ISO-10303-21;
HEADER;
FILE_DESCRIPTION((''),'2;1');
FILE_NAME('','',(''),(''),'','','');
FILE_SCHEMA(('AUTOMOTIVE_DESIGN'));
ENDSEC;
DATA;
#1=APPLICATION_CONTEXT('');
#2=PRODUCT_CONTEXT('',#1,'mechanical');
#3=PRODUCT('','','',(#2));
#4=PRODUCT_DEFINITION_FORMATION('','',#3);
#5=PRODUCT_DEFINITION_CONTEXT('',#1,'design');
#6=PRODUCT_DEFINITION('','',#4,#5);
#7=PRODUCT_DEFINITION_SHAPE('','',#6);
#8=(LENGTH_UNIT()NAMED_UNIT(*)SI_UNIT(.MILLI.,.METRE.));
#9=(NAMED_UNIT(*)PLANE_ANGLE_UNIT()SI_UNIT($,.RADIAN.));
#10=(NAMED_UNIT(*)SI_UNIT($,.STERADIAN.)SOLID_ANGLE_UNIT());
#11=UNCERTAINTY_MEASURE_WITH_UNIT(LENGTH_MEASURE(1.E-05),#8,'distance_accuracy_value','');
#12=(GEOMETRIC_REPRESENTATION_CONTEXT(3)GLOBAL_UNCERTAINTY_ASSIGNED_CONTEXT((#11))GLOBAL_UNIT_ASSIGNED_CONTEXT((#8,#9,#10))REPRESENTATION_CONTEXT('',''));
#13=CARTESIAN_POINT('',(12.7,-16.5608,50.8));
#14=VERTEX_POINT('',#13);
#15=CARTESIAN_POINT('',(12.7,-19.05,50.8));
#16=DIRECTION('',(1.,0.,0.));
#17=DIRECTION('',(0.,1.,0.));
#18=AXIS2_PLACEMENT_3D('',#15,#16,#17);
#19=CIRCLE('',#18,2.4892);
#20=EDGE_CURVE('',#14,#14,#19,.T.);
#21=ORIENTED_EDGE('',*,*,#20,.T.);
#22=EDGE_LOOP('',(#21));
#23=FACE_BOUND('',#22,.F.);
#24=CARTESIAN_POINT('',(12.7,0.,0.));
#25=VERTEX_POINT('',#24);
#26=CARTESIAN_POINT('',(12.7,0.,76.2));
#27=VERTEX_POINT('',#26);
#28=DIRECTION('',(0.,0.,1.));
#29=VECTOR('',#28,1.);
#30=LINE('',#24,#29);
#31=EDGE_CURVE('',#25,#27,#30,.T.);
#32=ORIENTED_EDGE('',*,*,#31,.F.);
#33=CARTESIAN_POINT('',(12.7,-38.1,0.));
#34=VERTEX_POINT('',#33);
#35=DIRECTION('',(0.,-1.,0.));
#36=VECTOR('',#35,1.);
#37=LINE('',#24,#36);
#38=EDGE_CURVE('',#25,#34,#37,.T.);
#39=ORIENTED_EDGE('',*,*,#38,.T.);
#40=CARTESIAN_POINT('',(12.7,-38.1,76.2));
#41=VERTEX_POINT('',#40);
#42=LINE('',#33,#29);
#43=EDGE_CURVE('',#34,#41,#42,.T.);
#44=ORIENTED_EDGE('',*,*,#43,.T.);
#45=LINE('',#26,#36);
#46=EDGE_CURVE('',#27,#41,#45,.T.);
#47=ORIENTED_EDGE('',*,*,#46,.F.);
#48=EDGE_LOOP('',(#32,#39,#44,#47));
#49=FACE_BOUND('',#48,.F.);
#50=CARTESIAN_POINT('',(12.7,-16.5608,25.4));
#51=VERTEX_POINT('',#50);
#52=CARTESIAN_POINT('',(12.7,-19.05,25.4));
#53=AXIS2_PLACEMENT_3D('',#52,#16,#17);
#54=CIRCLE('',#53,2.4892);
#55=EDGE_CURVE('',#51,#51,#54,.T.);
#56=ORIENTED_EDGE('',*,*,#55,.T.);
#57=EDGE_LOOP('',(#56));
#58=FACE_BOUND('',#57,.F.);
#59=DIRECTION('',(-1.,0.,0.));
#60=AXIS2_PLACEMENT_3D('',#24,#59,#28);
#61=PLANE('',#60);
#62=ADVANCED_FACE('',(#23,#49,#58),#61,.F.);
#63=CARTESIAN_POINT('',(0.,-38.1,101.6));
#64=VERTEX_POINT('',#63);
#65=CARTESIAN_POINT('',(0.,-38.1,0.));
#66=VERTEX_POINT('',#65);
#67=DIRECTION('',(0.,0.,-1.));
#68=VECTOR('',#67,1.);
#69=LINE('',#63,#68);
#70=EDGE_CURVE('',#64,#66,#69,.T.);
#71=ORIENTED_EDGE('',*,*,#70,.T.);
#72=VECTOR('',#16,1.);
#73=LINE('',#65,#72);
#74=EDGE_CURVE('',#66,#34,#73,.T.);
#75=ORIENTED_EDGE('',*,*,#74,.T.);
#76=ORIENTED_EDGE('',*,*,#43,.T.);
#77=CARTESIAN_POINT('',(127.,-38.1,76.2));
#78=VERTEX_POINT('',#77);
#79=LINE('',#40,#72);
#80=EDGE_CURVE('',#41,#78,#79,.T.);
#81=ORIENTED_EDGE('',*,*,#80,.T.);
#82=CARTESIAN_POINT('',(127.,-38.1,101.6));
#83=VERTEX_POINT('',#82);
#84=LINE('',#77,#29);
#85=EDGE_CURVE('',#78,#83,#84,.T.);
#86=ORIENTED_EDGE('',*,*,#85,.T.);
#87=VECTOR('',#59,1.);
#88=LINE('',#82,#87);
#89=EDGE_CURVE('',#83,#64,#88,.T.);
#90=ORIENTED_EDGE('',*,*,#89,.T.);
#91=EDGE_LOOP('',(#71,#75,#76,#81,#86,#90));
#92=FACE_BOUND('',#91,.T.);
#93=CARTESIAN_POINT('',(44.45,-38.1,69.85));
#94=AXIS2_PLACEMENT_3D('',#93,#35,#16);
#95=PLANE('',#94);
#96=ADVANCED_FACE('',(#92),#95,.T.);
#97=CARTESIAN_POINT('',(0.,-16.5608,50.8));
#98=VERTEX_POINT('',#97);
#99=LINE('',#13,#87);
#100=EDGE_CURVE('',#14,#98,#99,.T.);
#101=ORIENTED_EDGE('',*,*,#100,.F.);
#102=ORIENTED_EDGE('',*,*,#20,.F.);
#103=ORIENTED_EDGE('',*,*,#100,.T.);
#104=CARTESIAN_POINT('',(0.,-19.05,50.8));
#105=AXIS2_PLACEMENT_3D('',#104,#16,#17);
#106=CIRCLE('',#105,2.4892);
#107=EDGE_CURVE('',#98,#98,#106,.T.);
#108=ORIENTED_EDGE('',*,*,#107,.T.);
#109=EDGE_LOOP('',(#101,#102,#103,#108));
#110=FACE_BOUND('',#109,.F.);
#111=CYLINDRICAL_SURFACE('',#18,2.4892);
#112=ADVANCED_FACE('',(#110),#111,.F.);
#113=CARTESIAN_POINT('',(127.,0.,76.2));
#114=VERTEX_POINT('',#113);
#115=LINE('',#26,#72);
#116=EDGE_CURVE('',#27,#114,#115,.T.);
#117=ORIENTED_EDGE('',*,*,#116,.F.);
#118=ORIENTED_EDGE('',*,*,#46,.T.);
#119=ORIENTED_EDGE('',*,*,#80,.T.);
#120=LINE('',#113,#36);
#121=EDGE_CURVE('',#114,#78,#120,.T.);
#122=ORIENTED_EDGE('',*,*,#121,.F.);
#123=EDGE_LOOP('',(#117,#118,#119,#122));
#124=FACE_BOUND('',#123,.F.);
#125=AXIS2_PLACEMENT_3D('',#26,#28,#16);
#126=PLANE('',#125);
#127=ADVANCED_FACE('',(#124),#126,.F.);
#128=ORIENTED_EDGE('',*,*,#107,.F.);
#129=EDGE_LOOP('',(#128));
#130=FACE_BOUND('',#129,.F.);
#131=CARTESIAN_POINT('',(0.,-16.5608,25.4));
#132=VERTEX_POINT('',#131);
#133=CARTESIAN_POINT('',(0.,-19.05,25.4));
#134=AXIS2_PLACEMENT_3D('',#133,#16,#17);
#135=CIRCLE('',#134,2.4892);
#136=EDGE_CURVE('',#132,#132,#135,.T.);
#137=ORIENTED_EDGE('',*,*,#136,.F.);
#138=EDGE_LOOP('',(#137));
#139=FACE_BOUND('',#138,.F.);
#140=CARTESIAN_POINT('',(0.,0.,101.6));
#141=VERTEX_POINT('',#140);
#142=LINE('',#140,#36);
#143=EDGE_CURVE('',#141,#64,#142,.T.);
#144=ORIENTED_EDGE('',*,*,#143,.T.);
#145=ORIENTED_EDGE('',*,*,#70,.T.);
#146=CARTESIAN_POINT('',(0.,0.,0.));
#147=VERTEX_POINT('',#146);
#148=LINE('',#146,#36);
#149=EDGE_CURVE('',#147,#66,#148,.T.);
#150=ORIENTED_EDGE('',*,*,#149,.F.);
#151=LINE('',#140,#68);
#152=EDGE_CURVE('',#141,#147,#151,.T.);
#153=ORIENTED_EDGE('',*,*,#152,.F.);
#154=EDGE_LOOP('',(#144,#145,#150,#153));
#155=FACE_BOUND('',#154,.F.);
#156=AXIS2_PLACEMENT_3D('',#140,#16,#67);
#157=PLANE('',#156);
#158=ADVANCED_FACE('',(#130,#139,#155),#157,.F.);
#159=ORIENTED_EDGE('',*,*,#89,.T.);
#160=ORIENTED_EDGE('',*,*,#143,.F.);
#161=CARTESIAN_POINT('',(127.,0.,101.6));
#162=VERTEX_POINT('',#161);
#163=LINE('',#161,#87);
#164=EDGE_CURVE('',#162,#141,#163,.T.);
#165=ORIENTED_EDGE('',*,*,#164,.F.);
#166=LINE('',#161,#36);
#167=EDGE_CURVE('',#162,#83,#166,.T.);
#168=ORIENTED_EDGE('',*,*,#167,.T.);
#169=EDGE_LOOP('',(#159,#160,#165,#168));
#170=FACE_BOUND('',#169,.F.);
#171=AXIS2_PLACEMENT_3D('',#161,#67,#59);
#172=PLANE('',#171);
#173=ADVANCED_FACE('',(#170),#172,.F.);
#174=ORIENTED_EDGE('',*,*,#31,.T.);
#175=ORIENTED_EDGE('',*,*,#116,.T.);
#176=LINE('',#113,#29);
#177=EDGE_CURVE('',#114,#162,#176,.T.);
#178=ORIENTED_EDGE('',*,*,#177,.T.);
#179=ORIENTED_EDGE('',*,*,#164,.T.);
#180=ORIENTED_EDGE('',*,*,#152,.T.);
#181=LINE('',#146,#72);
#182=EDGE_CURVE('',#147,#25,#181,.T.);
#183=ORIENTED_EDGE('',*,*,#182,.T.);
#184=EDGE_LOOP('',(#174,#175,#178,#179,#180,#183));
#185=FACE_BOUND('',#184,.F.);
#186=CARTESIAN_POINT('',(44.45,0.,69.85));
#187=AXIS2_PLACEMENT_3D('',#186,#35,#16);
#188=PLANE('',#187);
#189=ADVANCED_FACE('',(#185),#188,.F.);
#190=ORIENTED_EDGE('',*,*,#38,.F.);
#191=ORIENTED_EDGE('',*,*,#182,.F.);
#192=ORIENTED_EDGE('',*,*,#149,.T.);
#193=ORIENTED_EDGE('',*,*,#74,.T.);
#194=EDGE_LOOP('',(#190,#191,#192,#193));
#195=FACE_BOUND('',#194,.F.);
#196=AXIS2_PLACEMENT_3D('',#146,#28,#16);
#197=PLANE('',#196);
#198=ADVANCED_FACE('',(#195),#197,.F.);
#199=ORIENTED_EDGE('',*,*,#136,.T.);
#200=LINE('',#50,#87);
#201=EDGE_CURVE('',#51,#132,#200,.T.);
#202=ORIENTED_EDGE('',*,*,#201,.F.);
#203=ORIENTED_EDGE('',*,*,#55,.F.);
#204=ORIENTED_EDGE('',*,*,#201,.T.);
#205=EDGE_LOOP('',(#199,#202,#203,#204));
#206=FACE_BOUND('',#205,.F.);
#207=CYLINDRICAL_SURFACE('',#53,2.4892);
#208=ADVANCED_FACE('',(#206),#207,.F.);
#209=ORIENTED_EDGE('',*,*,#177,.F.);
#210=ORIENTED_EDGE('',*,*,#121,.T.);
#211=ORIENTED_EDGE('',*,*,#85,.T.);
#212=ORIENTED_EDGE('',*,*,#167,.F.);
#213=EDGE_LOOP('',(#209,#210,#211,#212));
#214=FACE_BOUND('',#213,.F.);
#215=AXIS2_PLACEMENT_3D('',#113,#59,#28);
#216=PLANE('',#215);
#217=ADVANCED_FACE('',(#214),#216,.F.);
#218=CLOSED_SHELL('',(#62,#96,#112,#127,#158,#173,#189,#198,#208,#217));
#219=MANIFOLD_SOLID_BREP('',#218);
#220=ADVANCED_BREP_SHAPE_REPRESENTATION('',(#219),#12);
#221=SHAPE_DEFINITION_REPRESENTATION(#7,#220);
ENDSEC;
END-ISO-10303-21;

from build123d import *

# Parameters (mm, degrees)
F1_DEPTH = 38.1
F2_R     = 2.4892
F3_DEPTH = 12.701


with BuildPart() as f1:
    # F0 (on Front) → F1 (new body)
    with BuildSketch(Plane.XZ):
        Polygon((0, 101.6), (0, 0), (12.7, 0), (12.7, 76.2), (127, 76.2), (127, 101.6), align=None)
    extrude(amount=F1_DEPTH)

    # F2 (on face) → F3 (cut, through all)
    with BuildSketch(Plane.YZ.offset(12.7)):
        with Locations((-19.05, 50.8)):
            Circle(F2_R)
        with Locations((-19.05, 25.4)):
            Circle(F2_R)
    extrude(amount=-F3_DEPTH, mode=Mode.SUBTRACT)


solid = f1.part
